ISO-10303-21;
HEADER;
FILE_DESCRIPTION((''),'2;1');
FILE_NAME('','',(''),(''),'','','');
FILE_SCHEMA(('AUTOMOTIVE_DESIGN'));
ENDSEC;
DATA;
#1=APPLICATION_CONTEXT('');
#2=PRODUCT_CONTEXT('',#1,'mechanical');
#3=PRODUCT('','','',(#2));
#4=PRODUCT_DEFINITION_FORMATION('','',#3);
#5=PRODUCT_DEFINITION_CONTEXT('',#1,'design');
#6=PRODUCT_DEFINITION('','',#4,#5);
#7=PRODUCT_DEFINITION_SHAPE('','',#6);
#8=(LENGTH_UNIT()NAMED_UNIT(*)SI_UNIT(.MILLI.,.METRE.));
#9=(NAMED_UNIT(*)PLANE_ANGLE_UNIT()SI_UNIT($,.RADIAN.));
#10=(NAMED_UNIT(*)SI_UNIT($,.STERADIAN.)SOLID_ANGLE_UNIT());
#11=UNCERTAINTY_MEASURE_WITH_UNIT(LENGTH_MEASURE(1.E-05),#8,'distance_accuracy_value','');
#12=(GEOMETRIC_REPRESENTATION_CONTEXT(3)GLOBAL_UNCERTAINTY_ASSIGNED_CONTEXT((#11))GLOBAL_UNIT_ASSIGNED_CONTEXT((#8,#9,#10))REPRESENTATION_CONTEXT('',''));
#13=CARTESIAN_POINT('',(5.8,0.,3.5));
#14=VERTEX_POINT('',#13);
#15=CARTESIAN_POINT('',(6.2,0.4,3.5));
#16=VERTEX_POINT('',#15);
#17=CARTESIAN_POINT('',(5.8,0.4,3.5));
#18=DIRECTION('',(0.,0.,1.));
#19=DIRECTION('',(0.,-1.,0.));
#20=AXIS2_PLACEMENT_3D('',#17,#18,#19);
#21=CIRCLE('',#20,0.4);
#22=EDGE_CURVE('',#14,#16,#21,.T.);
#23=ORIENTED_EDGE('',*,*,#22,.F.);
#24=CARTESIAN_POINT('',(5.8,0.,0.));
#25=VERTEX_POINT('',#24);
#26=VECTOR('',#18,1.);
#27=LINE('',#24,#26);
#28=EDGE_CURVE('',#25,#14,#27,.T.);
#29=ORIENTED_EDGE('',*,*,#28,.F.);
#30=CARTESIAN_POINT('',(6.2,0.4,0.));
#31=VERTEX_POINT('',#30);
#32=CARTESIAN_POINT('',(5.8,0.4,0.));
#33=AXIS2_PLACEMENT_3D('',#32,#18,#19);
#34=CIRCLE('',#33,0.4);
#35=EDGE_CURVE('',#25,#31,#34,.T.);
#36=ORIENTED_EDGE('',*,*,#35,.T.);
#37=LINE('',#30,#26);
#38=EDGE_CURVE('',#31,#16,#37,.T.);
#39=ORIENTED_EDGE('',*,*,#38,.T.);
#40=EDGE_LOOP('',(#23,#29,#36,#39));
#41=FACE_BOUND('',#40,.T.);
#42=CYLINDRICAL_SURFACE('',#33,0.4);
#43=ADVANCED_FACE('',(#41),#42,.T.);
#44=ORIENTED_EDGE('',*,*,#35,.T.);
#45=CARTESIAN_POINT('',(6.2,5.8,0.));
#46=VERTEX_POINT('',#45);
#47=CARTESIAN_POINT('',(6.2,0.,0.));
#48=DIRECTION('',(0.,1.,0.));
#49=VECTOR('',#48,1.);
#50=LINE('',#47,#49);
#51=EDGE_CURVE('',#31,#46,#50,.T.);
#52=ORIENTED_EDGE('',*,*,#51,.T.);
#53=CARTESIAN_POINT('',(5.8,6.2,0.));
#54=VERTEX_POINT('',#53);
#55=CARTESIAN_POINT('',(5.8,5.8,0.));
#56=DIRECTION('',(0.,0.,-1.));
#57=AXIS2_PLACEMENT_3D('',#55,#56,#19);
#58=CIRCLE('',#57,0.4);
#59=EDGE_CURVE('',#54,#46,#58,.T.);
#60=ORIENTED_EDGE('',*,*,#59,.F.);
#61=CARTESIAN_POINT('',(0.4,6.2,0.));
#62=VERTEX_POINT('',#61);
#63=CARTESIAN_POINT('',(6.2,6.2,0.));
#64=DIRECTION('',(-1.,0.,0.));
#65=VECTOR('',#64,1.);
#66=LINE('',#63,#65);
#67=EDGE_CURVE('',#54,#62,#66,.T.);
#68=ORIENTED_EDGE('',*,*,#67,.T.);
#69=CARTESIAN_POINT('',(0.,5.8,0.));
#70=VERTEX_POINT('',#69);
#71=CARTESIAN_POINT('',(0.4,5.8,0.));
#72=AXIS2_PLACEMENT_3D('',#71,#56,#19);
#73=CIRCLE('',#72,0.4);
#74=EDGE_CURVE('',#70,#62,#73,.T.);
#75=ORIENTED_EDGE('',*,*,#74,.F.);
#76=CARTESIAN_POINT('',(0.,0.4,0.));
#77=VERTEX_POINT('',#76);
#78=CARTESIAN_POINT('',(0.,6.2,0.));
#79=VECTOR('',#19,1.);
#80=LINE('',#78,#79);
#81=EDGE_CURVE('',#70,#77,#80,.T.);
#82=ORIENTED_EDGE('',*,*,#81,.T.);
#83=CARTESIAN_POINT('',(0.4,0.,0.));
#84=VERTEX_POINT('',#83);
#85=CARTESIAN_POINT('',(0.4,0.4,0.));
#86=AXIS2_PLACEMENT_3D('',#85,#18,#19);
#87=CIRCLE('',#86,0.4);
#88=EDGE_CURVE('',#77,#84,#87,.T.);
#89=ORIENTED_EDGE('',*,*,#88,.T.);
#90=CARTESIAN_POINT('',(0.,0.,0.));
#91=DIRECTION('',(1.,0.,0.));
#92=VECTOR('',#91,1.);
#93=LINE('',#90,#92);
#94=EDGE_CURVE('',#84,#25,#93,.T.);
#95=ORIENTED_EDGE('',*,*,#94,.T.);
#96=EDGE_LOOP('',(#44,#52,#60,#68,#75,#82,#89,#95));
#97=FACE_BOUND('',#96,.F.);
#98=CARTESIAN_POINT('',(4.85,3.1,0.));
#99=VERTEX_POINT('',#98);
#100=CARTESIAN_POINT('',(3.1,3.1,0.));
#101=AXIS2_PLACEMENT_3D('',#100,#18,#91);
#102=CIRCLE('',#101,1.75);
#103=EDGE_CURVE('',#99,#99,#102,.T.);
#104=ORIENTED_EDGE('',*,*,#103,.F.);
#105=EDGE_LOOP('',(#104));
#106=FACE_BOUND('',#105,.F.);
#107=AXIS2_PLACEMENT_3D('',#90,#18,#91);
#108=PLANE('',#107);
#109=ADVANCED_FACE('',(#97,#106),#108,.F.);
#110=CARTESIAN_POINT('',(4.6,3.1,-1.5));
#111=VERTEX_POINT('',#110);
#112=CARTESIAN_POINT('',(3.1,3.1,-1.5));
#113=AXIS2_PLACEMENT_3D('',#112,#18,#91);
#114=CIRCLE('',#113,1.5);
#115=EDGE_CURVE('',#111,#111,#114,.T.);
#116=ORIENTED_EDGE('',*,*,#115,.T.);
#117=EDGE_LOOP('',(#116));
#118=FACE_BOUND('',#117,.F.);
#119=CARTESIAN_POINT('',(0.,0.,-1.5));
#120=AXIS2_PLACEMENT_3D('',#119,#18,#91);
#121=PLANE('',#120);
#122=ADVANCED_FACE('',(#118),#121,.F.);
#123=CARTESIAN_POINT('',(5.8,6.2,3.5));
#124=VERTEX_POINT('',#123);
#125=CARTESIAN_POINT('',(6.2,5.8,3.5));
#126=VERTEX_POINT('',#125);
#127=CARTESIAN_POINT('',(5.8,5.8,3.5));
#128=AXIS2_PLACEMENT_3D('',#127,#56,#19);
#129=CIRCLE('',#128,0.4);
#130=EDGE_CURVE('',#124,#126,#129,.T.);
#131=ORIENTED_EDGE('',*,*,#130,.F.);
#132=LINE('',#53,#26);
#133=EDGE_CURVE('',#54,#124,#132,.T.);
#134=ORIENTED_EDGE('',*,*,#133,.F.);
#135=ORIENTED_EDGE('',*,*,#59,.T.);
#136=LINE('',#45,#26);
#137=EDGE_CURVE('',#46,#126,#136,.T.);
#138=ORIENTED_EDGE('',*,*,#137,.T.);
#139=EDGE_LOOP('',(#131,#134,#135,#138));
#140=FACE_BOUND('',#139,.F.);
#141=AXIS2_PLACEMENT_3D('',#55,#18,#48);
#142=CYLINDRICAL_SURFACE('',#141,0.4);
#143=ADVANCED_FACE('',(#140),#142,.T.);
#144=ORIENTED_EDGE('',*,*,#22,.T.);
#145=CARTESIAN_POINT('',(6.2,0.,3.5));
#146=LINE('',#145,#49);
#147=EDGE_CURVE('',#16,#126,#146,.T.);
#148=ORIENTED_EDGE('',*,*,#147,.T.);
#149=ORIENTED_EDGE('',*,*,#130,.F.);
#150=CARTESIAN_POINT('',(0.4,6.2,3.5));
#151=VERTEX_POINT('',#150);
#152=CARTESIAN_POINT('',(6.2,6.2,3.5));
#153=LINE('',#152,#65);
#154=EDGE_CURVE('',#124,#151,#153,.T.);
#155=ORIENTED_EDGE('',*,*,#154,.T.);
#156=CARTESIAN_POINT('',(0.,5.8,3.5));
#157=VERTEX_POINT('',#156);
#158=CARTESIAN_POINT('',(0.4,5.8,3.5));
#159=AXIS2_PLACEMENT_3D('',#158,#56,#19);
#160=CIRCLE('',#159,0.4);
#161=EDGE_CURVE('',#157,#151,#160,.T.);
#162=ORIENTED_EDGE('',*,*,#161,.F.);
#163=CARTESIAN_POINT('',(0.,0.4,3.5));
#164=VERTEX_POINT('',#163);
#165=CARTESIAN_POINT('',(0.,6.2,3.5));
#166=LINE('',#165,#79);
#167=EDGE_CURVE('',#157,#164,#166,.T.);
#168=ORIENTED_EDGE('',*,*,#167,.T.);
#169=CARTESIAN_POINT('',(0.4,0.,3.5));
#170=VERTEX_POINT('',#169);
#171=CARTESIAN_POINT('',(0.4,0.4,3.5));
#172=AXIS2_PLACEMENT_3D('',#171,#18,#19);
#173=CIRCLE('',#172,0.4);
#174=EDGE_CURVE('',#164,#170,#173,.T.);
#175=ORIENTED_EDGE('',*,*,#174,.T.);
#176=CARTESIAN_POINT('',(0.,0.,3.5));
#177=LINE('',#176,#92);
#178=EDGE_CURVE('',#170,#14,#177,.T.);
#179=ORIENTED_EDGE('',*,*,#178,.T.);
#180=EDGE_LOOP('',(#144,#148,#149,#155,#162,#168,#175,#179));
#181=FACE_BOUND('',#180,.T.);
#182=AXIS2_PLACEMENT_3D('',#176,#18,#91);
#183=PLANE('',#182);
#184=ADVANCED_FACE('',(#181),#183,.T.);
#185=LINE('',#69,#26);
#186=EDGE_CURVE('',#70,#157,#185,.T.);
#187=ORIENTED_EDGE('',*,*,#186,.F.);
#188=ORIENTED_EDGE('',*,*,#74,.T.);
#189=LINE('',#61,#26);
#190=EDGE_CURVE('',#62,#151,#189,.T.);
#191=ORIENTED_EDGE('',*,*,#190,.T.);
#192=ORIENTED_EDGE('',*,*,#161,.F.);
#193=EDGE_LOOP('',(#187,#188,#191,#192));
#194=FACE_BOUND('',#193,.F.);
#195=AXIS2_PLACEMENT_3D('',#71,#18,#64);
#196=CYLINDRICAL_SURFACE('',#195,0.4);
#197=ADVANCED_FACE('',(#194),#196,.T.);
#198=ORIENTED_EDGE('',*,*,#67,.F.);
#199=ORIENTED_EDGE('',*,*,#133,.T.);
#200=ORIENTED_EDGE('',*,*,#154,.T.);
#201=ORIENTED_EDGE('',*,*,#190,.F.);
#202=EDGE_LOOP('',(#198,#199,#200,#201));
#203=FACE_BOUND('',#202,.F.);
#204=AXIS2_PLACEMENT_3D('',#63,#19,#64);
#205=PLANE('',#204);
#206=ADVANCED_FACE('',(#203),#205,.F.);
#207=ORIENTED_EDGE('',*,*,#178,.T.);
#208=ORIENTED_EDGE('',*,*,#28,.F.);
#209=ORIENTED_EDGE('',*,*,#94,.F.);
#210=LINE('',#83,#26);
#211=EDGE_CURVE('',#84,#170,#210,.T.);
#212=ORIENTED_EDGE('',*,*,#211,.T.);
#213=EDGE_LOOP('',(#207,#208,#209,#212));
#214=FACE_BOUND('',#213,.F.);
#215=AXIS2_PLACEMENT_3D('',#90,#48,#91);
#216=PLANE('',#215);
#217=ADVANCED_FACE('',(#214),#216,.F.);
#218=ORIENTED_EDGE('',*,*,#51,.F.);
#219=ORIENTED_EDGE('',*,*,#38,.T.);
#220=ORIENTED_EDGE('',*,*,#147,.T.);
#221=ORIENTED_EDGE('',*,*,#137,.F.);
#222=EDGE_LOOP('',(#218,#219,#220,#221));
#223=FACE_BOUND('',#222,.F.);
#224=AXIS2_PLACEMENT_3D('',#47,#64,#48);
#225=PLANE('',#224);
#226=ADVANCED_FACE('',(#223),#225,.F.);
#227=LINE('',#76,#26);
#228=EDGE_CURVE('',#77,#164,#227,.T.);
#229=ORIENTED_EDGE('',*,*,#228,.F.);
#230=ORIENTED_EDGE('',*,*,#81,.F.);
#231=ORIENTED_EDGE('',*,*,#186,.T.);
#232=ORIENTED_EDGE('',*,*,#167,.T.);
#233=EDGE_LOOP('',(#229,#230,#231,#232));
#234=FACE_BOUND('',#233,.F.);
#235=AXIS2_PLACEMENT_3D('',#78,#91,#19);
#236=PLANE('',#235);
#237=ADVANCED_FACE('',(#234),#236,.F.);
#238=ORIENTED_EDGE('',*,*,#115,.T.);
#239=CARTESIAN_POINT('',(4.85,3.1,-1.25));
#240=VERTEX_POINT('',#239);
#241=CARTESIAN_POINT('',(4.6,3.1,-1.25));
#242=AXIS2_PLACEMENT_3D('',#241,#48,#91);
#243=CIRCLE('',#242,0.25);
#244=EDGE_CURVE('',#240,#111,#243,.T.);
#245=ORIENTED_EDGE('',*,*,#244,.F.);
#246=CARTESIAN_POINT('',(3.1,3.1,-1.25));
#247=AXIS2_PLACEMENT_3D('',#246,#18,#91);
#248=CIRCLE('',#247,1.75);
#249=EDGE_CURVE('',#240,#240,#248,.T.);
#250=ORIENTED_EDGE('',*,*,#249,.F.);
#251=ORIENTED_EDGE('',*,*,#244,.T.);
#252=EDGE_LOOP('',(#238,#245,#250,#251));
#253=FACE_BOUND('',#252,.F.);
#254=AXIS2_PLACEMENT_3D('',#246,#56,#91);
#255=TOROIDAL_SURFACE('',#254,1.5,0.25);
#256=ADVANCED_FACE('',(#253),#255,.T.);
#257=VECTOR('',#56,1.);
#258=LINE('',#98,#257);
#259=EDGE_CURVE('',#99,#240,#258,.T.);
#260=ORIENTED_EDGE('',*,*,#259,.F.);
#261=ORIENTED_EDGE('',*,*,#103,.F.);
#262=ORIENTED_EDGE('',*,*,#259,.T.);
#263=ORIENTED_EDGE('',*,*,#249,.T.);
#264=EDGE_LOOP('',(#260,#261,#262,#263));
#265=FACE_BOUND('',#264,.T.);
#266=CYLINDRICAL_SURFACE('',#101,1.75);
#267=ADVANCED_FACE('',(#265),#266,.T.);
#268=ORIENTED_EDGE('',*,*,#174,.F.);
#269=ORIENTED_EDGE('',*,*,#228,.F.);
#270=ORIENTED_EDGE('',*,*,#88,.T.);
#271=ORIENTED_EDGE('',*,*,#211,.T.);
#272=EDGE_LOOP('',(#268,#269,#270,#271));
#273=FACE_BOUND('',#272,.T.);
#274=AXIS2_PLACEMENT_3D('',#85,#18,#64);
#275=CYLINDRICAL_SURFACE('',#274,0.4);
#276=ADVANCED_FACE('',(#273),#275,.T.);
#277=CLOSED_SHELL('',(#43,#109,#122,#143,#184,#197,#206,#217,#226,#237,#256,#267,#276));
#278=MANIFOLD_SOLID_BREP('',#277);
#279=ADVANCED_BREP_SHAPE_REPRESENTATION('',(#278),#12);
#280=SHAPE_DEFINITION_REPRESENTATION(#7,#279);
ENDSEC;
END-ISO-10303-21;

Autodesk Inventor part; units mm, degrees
ref_plane "YZ Plane" through (0, 0, 0) normal (1, 0, 0) x (0, 1, 0)
ref_plane "XZ Plane" through (0, 0, 0) normal (0, 1, 0) x (-1, 0, 0)
ref_plane "XY Plane" through (0, 0, 0) normal (0, 0, 1) x (1, 0, 0)
sketch "Sketch1" plane through (0, 0, 0) normal (0, 0, 1) x (1, 0, 0)
  line L0 (0, 0) -> (6.2, 0)
  line L1 (6.2, 0) -> (6.2, 6.2)
  line L2 (6.2, 6.2) -> (0, 6.2)
  line L3 (0, 6.2) -> (0, 0)
  line L4 (0, 6.2) -> (6.2, 0) construction
  line L5 (6.2, 6.2) -> (0, 0) construction
  circle A0 centre (3.1, 3.1) radius 1.75
  dimension "d0" = 6.2
  dimension "d1" = 6.2
  dimension "d2" = 3.5
extrude "Extrusion1" add sketch "Sketch1" along normal blind 3.5 contours L3 L2 L1 L0 | A0
extrude "Extrusion2" add sketch "Sketch1" against normal blind 1.5 contours A0
fillet "Fillet1" radius 0.4 4 edges at (0, 6.2, 1.75) (0, 0, 1.75) (6.2, 0, 1.75) (6.2, 6.2, 1.75)
fillet "Fillet2" radius 0.25 1 edges at (1.35, 3.1, -1.5)
properties part number "Button"
